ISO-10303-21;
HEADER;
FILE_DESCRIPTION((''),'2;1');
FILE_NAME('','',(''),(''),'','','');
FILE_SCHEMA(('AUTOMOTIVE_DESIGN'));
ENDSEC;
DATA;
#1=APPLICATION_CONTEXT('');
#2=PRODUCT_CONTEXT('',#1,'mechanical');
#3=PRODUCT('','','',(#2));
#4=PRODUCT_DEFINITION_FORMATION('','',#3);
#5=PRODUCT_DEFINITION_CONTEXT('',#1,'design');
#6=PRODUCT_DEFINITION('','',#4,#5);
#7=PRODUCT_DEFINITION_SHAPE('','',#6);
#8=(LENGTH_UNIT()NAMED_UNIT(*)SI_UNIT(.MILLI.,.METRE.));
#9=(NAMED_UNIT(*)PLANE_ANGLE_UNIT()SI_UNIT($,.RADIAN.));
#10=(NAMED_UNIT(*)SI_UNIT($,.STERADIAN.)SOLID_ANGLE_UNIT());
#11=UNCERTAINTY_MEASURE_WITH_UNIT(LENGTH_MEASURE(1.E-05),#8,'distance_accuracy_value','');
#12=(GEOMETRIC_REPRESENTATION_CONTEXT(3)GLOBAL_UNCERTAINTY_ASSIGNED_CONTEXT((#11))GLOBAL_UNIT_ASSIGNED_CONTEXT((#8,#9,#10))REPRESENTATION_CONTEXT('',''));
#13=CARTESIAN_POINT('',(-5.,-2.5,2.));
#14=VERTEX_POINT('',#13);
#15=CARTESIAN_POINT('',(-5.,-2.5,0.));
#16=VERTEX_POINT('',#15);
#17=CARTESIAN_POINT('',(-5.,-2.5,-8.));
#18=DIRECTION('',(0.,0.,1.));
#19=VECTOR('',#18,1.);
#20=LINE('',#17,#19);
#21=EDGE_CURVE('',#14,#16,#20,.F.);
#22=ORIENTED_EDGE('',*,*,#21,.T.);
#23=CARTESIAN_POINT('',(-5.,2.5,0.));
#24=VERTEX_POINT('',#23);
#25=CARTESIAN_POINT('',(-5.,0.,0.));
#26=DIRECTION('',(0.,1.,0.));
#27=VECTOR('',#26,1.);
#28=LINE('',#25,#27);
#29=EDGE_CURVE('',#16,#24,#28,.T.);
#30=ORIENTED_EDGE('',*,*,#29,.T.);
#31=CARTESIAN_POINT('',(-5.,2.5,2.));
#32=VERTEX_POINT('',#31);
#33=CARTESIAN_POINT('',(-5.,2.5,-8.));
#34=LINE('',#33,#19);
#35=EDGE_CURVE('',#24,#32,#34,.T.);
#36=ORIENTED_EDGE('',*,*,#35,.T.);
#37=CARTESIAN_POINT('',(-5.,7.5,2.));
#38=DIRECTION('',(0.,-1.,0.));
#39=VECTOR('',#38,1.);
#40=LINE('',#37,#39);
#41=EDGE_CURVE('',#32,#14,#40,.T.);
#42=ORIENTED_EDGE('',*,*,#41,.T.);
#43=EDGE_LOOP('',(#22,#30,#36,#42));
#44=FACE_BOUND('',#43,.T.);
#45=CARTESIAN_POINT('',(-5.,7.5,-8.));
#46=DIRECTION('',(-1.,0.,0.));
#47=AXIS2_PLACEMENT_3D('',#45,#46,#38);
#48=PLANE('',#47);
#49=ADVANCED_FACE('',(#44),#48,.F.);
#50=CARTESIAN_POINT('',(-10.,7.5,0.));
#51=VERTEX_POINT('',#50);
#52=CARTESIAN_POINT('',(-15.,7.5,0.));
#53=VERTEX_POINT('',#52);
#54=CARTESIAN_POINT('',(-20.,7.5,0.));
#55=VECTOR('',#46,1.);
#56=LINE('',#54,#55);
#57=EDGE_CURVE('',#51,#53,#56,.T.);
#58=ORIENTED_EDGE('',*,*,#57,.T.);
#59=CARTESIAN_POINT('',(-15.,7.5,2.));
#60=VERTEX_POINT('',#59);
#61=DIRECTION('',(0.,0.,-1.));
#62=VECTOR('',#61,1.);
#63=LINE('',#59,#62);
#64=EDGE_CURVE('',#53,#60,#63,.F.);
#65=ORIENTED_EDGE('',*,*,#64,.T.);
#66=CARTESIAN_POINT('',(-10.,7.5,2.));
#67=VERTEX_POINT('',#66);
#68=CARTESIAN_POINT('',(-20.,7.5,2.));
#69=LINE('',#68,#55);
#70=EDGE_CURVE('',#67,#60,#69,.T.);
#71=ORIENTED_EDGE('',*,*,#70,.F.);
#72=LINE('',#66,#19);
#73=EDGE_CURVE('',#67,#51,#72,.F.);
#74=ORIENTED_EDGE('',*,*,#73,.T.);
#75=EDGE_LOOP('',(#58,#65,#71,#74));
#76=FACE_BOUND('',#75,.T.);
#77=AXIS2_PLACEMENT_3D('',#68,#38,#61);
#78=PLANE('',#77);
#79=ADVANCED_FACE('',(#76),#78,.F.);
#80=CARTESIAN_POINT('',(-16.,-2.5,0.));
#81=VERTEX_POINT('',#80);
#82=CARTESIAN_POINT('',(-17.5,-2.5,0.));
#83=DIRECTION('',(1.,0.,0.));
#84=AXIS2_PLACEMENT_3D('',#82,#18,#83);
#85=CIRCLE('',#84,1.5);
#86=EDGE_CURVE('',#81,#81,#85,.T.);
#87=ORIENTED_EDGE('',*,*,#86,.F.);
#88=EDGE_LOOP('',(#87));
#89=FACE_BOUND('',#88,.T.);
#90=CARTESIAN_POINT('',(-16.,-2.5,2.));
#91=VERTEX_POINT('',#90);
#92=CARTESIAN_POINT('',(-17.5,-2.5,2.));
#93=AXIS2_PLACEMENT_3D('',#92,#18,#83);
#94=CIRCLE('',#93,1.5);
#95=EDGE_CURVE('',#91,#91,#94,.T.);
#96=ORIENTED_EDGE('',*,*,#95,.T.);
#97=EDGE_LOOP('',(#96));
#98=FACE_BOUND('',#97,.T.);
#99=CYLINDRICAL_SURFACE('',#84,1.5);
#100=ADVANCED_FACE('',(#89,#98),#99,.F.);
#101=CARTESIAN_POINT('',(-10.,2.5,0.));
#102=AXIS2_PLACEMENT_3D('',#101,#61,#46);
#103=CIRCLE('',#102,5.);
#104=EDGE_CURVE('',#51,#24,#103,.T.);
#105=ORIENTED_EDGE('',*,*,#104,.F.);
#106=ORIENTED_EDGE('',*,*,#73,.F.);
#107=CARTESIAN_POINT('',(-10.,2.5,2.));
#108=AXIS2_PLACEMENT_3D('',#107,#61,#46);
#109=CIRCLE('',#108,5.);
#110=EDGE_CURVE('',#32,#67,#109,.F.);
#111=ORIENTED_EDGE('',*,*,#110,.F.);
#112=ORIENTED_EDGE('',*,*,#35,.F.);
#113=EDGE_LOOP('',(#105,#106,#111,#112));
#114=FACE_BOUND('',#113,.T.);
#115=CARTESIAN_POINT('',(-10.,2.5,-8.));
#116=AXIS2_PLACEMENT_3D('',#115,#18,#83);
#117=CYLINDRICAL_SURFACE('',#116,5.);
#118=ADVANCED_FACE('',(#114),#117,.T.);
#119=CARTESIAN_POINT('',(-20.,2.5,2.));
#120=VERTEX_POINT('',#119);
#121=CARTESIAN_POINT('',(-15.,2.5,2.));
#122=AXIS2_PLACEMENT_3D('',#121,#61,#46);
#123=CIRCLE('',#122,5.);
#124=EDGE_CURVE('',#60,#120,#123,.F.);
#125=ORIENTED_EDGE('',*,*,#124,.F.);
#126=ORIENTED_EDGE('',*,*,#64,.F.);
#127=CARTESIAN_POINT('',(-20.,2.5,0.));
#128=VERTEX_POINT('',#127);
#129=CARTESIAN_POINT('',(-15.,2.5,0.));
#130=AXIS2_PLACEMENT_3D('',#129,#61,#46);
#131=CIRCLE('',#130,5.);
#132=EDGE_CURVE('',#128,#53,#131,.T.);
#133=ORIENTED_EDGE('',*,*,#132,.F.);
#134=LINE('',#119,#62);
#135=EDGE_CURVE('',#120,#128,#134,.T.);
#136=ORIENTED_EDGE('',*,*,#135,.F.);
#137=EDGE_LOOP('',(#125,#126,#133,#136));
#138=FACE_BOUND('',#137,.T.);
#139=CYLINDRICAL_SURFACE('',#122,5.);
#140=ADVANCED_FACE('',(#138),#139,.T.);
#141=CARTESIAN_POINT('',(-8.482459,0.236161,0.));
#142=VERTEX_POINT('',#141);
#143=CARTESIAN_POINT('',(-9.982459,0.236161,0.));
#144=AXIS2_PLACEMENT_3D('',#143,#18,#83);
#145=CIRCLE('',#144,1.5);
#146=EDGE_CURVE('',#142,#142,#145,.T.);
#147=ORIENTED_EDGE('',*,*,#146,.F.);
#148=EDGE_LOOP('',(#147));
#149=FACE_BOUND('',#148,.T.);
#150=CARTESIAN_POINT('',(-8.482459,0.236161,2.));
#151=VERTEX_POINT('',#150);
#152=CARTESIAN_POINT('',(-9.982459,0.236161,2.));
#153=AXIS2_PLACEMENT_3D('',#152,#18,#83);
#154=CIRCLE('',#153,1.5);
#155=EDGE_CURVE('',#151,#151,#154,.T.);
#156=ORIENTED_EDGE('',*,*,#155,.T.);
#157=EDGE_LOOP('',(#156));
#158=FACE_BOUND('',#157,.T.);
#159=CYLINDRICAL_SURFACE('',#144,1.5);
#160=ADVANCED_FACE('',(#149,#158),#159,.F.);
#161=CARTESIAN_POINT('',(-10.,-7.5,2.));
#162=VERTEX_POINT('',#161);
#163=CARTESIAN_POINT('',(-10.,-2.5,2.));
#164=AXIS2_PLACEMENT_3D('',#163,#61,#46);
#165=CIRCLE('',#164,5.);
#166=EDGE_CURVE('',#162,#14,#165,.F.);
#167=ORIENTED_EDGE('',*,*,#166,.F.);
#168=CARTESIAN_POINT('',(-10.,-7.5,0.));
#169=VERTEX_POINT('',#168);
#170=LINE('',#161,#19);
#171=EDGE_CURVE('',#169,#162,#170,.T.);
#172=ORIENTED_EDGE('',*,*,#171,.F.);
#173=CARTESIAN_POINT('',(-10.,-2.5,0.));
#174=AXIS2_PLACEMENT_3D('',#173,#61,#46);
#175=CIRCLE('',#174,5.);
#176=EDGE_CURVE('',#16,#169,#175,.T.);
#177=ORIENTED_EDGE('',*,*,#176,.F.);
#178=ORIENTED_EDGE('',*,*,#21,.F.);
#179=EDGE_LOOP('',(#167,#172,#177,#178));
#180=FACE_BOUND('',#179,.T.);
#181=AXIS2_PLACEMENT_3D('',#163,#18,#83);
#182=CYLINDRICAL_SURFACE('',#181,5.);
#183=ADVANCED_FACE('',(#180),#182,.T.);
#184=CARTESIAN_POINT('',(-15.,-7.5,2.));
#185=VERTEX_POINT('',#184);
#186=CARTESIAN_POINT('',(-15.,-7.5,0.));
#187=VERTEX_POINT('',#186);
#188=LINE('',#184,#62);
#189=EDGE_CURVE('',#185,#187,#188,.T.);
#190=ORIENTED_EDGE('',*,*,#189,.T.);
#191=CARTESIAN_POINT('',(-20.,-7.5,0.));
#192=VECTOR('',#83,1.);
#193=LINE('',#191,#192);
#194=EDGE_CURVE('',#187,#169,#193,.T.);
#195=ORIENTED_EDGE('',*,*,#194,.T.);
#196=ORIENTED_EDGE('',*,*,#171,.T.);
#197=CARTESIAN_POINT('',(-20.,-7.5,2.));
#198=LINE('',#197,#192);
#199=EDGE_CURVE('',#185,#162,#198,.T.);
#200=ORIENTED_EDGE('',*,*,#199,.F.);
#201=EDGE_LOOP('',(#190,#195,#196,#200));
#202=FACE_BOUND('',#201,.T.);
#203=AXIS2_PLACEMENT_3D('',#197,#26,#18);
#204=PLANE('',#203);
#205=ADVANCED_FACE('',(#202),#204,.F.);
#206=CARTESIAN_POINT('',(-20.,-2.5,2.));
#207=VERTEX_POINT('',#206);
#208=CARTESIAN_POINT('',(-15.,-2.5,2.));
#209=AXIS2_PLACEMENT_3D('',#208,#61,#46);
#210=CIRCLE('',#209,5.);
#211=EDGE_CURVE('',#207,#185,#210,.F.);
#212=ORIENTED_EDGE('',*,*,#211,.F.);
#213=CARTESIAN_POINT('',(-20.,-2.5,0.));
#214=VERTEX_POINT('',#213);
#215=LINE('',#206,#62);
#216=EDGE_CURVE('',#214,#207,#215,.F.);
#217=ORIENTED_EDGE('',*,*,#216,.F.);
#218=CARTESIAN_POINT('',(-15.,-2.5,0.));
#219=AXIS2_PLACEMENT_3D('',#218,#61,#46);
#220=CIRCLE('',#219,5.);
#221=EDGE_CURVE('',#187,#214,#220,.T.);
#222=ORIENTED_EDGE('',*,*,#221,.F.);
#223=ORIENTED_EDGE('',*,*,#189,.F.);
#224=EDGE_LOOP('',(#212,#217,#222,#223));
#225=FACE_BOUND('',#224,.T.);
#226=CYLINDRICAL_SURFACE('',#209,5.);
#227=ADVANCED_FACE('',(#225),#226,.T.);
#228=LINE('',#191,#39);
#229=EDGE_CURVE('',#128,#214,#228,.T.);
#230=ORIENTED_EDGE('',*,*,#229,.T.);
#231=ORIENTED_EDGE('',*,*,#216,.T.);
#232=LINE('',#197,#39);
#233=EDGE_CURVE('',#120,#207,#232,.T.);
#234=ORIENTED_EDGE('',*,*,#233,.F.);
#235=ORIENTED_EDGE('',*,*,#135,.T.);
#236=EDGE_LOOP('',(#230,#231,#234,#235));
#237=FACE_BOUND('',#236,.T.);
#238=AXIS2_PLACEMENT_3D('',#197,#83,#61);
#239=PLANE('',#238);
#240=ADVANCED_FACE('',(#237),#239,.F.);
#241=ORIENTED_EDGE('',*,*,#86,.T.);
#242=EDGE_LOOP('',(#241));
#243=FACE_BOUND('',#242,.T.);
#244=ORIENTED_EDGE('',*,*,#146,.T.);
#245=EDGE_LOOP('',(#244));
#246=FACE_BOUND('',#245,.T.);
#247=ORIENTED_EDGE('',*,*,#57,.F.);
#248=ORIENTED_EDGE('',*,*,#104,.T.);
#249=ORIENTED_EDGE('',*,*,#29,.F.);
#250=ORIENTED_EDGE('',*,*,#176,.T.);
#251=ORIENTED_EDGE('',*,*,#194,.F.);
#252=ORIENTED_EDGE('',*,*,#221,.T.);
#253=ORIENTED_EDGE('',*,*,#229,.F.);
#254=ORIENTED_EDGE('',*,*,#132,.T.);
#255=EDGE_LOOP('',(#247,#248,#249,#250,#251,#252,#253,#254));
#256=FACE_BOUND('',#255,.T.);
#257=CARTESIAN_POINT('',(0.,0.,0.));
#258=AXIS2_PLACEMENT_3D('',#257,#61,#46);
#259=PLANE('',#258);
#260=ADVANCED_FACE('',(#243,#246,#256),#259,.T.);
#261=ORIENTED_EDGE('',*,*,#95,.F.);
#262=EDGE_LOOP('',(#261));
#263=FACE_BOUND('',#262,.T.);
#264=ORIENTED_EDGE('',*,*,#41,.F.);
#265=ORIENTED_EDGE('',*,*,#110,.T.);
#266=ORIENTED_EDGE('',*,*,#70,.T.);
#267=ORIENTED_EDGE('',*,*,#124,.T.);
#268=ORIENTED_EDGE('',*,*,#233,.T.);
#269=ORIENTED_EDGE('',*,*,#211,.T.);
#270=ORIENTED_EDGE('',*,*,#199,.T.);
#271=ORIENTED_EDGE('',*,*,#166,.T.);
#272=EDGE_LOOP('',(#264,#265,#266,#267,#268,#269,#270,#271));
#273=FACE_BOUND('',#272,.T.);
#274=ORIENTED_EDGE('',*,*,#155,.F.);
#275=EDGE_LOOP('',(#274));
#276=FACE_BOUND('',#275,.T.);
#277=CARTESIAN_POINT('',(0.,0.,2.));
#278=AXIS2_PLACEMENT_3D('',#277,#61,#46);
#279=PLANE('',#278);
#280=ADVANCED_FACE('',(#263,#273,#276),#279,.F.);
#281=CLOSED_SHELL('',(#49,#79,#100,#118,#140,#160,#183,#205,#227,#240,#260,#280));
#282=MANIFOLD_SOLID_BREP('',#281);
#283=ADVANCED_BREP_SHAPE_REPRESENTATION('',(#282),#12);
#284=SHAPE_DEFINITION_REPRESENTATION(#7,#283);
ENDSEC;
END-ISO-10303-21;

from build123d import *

# Parameters (mm, degrees)
SKETCH_1_W          = 40
SKETCH_1_H          = 15
EXTRUDE_1_DEPTH     = 2
SKETCH_3_R          = 1.5
CUT_EXTRUDE_1_DEPTH = 2
CUT_EXTRUDE_2_DEPTH = 10
FILLET_1_R          = 5


with BuildPart() as part:
    # 草图1 → 凸台-拉伸1 (new body)
    with BuildSketch(Plane.XY):
        Rectangle(SKETCH_1_W, SKETCH_1_H)
    extrude(amount=EXTRUDE_1_DEPTH)

    # 草图3 → 切除-拉伸1 (cut)
    with BuildSketch(Plane.XY.offset(2)):
        with Locations((-9.982459034, 0.236161147)):
            Circle(SKETCH_3_R)
        with Locations((-17.5, -2.5)):
            Circle(SKETCH_3_R)
    extrude(amount=-CUT_EXTRUDE_1_DEPTH, mode=Mode.SUBTRACT)

    # 草图6 → 切除-拉伸2 (cut)
    with BuildSketch(Plane.XY.offset(2)):
        Polygon((-5, 7.5), (-5, -7.5), (36.148851336, -18.495224014), (30.781609857, 18.543577541), align=None)
    extrude(amount=-CUT_EXTRUDE_2_DEPTH, mode=Mode.SUBTRACT)

    # 圆角1
    fillet_1_edges = [part.edges().sort_by_distance(p)[0] for p in [
        (-5, 7.5, 1),
        (-5, -7.5, 1),
        (-20, -7.5, 1),
        (-20, 7.5, 1),
    ]]
    fillet(fillet_1_edges, radius=FILLET_1_R)


solid = part.part
